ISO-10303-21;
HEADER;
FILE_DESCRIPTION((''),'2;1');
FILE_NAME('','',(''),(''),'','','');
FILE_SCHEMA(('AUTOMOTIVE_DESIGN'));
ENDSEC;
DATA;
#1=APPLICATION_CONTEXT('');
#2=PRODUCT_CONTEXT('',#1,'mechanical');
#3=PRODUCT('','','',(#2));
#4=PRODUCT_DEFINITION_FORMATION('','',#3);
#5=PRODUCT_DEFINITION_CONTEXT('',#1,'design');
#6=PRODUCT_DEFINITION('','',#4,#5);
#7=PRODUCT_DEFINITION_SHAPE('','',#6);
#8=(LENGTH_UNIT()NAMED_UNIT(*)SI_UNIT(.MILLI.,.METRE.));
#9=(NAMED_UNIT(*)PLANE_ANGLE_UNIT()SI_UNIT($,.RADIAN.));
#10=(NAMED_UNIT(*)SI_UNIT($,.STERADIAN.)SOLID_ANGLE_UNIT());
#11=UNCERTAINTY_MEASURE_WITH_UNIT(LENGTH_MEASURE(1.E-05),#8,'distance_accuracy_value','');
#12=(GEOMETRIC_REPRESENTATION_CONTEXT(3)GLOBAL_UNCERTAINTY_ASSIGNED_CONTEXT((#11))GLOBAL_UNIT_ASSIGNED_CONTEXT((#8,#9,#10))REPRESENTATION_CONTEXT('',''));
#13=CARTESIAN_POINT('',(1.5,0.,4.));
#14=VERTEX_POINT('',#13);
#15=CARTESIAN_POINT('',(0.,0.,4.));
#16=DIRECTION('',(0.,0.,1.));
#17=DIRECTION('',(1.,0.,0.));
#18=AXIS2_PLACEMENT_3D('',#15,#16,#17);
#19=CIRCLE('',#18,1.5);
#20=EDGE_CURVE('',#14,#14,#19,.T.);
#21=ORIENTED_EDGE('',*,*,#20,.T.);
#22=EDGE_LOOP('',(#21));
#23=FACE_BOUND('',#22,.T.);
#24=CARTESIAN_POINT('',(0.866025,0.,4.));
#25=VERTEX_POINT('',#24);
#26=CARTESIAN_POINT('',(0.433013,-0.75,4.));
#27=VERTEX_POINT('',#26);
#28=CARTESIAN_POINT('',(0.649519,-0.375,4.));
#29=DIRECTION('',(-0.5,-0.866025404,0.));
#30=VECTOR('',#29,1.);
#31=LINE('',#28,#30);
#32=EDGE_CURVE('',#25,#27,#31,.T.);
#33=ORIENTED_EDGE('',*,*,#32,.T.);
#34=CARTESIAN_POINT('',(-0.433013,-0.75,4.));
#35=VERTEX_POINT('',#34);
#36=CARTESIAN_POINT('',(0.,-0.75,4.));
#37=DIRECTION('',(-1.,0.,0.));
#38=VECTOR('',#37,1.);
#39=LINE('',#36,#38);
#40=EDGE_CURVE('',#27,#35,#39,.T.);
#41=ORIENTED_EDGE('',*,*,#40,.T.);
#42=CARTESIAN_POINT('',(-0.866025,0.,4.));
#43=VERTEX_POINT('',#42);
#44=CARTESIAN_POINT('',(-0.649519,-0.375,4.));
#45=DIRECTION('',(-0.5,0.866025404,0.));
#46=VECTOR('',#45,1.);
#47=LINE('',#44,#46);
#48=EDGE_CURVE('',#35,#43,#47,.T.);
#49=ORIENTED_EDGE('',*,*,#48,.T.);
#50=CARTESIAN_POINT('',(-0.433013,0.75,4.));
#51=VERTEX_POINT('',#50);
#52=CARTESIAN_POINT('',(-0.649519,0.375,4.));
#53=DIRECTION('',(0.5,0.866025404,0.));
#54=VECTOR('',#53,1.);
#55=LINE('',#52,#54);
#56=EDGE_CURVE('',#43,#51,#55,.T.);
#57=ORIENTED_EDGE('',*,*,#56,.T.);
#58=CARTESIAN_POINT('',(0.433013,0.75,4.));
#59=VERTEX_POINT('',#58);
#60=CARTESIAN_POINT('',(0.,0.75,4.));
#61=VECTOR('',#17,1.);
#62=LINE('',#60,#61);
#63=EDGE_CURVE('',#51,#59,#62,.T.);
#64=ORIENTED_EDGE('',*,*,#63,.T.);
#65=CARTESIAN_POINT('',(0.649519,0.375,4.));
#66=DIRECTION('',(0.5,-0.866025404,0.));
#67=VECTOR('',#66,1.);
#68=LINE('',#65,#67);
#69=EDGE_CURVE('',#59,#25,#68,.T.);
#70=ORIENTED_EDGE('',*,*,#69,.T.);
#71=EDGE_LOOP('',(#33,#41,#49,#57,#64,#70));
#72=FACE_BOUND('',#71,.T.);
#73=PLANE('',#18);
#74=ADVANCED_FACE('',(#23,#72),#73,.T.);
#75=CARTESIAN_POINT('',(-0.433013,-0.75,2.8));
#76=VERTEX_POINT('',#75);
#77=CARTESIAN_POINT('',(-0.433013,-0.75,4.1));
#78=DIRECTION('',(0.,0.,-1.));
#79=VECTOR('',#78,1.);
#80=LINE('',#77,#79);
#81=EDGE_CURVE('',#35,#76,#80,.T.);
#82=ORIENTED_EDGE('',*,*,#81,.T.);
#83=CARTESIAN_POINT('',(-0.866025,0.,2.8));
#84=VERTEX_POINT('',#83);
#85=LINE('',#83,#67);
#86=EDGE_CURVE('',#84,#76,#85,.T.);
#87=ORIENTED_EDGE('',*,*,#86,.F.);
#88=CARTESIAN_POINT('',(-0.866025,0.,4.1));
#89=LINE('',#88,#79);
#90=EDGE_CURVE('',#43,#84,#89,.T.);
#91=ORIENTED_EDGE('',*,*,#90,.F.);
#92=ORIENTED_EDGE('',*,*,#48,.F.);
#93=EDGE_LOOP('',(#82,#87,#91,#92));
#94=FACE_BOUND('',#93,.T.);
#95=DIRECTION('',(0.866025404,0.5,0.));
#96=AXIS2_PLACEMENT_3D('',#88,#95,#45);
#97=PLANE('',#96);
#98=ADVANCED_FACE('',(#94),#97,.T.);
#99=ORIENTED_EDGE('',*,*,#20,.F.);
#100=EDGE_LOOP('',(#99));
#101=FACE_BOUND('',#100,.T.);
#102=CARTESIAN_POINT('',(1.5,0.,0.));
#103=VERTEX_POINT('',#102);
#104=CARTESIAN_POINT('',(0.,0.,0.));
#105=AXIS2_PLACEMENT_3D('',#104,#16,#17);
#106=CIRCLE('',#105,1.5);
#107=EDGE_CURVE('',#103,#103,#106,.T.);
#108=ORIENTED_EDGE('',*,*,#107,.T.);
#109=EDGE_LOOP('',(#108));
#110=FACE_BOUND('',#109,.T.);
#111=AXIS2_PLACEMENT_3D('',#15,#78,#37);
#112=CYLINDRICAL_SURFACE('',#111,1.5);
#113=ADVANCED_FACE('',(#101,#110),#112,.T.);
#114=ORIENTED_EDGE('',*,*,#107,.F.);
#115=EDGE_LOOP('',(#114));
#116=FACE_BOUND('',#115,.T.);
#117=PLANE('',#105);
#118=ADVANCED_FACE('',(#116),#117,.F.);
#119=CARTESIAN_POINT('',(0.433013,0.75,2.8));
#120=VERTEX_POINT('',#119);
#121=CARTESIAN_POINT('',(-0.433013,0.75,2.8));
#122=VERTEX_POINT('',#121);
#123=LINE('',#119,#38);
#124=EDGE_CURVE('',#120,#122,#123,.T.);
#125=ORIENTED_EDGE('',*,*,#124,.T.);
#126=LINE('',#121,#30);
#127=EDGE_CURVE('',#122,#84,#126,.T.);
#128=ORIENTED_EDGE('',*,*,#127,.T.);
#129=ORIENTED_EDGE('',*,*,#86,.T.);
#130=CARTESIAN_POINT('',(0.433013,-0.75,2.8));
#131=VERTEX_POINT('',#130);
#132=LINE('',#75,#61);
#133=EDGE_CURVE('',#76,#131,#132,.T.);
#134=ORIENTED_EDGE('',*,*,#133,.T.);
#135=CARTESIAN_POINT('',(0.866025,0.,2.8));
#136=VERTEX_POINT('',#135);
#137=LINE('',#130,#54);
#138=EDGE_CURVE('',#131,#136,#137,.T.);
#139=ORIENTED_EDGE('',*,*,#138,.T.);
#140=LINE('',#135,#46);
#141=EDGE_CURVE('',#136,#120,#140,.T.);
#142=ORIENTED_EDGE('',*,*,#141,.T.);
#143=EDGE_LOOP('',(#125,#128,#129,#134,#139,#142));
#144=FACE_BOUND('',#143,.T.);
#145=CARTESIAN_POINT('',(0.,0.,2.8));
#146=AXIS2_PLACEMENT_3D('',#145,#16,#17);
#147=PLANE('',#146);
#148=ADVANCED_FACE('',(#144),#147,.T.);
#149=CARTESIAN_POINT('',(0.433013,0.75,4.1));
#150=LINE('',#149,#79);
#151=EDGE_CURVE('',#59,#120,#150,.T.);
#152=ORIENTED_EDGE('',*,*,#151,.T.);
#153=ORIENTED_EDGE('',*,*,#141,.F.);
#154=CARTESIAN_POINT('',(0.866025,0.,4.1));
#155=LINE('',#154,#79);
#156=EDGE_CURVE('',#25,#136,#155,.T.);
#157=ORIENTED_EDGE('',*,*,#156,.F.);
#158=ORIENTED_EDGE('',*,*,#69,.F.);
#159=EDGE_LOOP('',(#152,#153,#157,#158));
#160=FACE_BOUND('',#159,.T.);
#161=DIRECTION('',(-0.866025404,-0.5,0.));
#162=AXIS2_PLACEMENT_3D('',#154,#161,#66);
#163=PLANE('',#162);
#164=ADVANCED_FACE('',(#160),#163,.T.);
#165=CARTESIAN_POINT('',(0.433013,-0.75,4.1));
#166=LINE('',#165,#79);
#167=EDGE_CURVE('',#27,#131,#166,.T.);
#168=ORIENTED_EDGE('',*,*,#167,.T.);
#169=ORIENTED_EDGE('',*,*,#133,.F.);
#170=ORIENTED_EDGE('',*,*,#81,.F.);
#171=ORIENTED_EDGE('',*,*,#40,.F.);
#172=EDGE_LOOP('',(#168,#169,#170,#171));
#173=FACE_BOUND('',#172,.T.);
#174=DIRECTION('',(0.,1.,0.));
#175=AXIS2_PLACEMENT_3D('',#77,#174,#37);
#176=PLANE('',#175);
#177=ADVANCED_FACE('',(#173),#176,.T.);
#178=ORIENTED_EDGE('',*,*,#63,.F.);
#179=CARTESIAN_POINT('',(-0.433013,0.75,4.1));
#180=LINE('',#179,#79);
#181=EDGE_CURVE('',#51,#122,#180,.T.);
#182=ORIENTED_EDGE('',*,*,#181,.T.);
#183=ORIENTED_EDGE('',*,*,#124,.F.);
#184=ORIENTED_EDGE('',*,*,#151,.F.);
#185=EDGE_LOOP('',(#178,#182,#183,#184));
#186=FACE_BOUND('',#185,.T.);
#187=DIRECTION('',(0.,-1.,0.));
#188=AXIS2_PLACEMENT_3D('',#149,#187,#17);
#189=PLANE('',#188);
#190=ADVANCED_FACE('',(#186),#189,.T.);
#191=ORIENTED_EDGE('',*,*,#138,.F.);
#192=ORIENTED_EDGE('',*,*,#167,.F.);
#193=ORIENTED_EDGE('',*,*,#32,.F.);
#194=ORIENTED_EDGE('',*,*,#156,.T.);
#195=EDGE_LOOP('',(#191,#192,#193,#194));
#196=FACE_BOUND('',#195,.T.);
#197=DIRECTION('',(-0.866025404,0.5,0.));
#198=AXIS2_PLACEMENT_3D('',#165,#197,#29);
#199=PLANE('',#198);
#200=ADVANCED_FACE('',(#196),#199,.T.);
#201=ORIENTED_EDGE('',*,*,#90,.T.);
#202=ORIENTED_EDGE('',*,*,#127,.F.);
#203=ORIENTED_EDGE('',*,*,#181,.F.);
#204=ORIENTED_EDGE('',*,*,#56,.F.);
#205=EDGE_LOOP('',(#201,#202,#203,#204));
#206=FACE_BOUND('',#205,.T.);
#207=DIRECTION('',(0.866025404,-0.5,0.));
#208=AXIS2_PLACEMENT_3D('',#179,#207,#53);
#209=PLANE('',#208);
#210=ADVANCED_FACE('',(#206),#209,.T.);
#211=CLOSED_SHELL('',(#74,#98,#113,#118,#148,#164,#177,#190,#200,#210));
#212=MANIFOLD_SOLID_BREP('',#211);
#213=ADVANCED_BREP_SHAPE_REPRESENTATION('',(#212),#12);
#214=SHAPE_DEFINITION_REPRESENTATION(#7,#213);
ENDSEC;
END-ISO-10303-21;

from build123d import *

# Parameters (mm, degrees)
S01_M3_HEADLESS_BODY_R       = 1.5
F_01_M3_HEADLESS_BODY_DEPTH  = 4
F_02_START                   = 2.8
F_02_1_5_MM_HEX_SOCKET_DEPTH = 1.3


with BuildPart() as part:
    # S01 - M3 headless body → 01 - M3 headless body (new body)
    with BuildSketch(Plane.XY):
        Circle(S01_M3_HEADLESS_BODY_R)
    extrude(amount=F_01_M3_HEADLESS_BODY_DEPTH)

    # S02 - 1.5 mm hex socket → 02 - 1.5 mm hex socket (cut)
    with BuildSketch(Plane.XY.offset(F_02_START)):
        Polygon((0.866025404, 0), (0.433012702, 0.75), (-0.433012702, 0.75), (-0.866025404, 0), (-0.433012702, -0.75), (0.433012702, -0.75), align=None)
    extrude(amount=F_02_1_5_MM_HEX_SOCKET_DEPTH, mode=Mode.SUBTRACT)


solid = part.part
